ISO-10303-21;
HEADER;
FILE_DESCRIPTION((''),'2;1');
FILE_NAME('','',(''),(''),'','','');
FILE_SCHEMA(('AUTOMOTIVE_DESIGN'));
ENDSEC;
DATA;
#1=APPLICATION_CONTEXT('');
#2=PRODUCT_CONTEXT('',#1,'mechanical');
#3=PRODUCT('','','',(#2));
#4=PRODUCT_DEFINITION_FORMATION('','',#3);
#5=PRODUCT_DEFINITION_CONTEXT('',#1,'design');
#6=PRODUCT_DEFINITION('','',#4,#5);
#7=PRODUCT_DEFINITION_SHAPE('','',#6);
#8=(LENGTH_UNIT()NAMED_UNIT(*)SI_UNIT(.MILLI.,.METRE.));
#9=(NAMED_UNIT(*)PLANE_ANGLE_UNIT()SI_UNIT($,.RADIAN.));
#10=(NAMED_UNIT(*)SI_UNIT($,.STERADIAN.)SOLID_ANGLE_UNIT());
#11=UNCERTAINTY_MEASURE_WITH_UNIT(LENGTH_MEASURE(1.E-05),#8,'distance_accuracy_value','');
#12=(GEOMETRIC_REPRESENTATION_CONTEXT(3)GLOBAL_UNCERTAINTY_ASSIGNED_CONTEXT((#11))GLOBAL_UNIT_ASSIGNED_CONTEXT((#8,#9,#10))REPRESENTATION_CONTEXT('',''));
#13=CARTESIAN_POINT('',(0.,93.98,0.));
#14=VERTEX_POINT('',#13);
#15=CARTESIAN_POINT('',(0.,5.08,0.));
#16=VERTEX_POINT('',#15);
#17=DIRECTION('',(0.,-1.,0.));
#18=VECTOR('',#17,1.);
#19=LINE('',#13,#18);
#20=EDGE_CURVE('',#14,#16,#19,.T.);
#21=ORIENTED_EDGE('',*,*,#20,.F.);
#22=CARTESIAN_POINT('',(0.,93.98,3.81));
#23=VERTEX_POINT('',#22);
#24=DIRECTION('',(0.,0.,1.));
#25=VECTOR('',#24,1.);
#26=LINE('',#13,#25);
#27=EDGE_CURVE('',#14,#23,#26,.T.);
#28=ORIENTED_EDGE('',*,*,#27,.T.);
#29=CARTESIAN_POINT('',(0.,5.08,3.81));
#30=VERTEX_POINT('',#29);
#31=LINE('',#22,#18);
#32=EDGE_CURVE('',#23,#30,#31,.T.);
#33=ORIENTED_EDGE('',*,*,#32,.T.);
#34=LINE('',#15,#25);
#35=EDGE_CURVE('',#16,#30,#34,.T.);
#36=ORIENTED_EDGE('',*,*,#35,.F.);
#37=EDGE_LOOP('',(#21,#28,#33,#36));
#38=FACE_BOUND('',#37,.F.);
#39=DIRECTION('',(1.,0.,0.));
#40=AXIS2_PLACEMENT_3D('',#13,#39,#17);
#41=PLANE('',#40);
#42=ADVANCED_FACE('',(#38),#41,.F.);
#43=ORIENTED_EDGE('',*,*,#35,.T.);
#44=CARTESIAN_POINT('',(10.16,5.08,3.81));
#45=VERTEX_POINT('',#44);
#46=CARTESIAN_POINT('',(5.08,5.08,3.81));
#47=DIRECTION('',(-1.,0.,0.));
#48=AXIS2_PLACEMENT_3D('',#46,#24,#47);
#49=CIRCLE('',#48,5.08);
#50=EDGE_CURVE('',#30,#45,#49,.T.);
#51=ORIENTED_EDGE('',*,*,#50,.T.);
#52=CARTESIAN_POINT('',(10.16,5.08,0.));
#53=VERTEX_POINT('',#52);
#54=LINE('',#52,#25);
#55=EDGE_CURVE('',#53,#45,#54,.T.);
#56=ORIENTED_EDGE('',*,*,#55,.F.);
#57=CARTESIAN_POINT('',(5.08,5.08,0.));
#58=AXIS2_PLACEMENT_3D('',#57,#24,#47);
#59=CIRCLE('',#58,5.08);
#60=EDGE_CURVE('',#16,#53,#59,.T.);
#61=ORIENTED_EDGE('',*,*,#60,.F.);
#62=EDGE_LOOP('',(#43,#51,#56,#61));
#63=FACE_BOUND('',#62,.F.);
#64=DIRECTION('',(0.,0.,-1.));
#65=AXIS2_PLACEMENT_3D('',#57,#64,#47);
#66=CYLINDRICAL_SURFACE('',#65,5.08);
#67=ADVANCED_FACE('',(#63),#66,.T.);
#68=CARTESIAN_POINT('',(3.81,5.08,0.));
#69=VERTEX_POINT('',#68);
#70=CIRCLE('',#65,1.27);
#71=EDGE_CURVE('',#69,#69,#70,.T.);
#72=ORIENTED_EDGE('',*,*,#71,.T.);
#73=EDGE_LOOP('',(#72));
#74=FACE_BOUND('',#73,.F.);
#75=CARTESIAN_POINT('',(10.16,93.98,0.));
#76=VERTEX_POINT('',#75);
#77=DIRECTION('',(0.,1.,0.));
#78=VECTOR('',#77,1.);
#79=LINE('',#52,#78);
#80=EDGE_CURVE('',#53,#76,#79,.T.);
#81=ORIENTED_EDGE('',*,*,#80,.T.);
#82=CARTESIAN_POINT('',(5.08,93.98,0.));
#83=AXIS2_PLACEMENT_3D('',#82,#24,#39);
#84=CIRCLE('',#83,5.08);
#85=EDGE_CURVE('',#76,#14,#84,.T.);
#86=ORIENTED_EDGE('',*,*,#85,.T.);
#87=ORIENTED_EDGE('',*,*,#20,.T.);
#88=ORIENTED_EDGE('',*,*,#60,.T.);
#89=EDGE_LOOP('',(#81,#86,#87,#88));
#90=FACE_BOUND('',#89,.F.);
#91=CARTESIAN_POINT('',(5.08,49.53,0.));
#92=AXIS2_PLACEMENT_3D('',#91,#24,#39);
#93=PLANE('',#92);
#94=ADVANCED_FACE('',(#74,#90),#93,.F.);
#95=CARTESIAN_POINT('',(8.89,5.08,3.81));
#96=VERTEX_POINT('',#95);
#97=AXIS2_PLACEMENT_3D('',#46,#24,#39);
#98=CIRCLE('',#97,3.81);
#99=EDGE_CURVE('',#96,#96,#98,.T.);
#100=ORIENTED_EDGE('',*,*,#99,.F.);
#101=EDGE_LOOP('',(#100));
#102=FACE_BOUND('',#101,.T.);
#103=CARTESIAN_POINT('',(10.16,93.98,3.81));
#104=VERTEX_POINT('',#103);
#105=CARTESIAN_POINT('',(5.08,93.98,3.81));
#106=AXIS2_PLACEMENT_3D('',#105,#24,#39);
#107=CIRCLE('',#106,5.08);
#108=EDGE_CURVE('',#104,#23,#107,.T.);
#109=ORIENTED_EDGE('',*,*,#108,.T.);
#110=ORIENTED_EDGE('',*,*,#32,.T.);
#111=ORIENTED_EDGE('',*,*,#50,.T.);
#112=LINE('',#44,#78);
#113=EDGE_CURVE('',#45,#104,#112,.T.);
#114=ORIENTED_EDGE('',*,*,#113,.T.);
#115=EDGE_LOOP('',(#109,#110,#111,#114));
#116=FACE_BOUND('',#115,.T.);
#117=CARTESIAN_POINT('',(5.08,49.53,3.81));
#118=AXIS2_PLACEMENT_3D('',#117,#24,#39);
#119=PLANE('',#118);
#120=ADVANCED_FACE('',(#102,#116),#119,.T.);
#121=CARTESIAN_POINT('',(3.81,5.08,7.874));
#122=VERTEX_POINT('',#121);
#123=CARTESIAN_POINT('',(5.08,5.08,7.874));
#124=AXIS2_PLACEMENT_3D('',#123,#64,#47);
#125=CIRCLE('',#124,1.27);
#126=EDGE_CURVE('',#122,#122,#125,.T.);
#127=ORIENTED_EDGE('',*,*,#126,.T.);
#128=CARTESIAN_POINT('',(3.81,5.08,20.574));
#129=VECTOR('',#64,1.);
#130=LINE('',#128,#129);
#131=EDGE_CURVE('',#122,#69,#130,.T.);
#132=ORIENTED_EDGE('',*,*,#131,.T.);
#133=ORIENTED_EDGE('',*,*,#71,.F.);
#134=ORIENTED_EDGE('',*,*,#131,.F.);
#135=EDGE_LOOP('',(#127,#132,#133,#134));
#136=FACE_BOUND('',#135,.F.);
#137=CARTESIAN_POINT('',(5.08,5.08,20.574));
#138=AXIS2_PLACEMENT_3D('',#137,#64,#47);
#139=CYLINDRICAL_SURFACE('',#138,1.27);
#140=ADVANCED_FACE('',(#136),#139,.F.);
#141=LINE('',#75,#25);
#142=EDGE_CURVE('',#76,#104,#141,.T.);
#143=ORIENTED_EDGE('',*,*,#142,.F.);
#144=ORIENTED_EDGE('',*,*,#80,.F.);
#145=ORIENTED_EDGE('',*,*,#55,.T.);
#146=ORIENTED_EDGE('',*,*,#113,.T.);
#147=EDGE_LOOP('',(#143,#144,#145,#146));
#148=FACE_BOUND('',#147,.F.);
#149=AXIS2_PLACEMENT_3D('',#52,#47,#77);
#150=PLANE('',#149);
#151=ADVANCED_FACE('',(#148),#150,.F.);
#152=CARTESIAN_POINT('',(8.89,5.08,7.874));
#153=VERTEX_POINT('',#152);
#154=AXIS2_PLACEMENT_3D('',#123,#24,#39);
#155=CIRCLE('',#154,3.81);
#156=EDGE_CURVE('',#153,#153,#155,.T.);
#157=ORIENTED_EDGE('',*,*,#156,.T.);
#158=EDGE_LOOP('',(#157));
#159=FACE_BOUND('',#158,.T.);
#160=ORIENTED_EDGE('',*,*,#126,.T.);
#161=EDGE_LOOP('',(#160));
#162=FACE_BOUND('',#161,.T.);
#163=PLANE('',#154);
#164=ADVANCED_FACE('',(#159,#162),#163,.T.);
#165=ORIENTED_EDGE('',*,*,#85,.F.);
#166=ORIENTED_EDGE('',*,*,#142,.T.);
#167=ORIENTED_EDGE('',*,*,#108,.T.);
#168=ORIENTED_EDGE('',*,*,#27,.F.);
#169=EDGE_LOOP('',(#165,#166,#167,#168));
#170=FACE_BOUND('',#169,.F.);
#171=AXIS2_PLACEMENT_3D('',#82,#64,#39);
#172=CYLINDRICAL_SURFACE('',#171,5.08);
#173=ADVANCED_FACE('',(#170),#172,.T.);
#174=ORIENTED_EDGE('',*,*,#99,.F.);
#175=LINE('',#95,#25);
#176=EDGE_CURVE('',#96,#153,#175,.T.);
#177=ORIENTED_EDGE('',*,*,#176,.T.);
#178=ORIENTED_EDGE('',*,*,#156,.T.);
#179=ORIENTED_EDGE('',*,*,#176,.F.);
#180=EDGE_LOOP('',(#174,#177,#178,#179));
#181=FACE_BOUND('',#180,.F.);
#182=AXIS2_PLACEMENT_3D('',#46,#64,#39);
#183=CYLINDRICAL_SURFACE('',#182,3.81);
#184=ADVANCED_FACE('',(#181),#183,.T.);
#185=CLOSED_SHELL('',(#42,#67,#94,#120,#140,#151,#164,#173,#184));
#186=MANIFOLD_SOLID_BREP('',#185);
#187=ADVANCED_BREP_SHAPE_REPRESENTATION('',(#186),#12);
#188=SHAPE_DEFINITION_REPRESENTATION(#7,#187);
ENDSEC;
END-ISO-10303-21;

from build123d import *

# Parameters (mm, degrees)
F1_DEPTH = 3.81
F2_R     = 3.81
F3_DEPTH = 4.064
F5_D     = 2.54
F5_DEPTH = 12.7


with BuildPart() as f1:
    # F0 (on Top) → F1 (new body)
    with BuildSketch(Plane.XY):
        with BuildLine():
            Line((0, 93.98), (0, 5.08))
            ThreePointArc((0, 5.08), (5.08, 0), (10.16, 5.08))
            Line((10.16, 5.08), (10.16, 93.98))
            ThreePointArc((10.16, 93.98), (5.08, 99.06), (0, 93.98))
        make_face()
    extrude(amount=F1_DEPTH)

    # F2 (on face) → F3 (join)
    with BuildSketch(Plane.XY.offset(3.81)):
        with Locations((5.08, 5.08)):
            Circle(F2_R)
    extrude(amount=F3_DEPTH)

    # F5
    with Locations(Plane.XY.offset(7.874)):
        with Locations((5.08, 5.08)):
            Hole(F5_D / 2, depth=F5_DEPTH)


solid = f1.part
